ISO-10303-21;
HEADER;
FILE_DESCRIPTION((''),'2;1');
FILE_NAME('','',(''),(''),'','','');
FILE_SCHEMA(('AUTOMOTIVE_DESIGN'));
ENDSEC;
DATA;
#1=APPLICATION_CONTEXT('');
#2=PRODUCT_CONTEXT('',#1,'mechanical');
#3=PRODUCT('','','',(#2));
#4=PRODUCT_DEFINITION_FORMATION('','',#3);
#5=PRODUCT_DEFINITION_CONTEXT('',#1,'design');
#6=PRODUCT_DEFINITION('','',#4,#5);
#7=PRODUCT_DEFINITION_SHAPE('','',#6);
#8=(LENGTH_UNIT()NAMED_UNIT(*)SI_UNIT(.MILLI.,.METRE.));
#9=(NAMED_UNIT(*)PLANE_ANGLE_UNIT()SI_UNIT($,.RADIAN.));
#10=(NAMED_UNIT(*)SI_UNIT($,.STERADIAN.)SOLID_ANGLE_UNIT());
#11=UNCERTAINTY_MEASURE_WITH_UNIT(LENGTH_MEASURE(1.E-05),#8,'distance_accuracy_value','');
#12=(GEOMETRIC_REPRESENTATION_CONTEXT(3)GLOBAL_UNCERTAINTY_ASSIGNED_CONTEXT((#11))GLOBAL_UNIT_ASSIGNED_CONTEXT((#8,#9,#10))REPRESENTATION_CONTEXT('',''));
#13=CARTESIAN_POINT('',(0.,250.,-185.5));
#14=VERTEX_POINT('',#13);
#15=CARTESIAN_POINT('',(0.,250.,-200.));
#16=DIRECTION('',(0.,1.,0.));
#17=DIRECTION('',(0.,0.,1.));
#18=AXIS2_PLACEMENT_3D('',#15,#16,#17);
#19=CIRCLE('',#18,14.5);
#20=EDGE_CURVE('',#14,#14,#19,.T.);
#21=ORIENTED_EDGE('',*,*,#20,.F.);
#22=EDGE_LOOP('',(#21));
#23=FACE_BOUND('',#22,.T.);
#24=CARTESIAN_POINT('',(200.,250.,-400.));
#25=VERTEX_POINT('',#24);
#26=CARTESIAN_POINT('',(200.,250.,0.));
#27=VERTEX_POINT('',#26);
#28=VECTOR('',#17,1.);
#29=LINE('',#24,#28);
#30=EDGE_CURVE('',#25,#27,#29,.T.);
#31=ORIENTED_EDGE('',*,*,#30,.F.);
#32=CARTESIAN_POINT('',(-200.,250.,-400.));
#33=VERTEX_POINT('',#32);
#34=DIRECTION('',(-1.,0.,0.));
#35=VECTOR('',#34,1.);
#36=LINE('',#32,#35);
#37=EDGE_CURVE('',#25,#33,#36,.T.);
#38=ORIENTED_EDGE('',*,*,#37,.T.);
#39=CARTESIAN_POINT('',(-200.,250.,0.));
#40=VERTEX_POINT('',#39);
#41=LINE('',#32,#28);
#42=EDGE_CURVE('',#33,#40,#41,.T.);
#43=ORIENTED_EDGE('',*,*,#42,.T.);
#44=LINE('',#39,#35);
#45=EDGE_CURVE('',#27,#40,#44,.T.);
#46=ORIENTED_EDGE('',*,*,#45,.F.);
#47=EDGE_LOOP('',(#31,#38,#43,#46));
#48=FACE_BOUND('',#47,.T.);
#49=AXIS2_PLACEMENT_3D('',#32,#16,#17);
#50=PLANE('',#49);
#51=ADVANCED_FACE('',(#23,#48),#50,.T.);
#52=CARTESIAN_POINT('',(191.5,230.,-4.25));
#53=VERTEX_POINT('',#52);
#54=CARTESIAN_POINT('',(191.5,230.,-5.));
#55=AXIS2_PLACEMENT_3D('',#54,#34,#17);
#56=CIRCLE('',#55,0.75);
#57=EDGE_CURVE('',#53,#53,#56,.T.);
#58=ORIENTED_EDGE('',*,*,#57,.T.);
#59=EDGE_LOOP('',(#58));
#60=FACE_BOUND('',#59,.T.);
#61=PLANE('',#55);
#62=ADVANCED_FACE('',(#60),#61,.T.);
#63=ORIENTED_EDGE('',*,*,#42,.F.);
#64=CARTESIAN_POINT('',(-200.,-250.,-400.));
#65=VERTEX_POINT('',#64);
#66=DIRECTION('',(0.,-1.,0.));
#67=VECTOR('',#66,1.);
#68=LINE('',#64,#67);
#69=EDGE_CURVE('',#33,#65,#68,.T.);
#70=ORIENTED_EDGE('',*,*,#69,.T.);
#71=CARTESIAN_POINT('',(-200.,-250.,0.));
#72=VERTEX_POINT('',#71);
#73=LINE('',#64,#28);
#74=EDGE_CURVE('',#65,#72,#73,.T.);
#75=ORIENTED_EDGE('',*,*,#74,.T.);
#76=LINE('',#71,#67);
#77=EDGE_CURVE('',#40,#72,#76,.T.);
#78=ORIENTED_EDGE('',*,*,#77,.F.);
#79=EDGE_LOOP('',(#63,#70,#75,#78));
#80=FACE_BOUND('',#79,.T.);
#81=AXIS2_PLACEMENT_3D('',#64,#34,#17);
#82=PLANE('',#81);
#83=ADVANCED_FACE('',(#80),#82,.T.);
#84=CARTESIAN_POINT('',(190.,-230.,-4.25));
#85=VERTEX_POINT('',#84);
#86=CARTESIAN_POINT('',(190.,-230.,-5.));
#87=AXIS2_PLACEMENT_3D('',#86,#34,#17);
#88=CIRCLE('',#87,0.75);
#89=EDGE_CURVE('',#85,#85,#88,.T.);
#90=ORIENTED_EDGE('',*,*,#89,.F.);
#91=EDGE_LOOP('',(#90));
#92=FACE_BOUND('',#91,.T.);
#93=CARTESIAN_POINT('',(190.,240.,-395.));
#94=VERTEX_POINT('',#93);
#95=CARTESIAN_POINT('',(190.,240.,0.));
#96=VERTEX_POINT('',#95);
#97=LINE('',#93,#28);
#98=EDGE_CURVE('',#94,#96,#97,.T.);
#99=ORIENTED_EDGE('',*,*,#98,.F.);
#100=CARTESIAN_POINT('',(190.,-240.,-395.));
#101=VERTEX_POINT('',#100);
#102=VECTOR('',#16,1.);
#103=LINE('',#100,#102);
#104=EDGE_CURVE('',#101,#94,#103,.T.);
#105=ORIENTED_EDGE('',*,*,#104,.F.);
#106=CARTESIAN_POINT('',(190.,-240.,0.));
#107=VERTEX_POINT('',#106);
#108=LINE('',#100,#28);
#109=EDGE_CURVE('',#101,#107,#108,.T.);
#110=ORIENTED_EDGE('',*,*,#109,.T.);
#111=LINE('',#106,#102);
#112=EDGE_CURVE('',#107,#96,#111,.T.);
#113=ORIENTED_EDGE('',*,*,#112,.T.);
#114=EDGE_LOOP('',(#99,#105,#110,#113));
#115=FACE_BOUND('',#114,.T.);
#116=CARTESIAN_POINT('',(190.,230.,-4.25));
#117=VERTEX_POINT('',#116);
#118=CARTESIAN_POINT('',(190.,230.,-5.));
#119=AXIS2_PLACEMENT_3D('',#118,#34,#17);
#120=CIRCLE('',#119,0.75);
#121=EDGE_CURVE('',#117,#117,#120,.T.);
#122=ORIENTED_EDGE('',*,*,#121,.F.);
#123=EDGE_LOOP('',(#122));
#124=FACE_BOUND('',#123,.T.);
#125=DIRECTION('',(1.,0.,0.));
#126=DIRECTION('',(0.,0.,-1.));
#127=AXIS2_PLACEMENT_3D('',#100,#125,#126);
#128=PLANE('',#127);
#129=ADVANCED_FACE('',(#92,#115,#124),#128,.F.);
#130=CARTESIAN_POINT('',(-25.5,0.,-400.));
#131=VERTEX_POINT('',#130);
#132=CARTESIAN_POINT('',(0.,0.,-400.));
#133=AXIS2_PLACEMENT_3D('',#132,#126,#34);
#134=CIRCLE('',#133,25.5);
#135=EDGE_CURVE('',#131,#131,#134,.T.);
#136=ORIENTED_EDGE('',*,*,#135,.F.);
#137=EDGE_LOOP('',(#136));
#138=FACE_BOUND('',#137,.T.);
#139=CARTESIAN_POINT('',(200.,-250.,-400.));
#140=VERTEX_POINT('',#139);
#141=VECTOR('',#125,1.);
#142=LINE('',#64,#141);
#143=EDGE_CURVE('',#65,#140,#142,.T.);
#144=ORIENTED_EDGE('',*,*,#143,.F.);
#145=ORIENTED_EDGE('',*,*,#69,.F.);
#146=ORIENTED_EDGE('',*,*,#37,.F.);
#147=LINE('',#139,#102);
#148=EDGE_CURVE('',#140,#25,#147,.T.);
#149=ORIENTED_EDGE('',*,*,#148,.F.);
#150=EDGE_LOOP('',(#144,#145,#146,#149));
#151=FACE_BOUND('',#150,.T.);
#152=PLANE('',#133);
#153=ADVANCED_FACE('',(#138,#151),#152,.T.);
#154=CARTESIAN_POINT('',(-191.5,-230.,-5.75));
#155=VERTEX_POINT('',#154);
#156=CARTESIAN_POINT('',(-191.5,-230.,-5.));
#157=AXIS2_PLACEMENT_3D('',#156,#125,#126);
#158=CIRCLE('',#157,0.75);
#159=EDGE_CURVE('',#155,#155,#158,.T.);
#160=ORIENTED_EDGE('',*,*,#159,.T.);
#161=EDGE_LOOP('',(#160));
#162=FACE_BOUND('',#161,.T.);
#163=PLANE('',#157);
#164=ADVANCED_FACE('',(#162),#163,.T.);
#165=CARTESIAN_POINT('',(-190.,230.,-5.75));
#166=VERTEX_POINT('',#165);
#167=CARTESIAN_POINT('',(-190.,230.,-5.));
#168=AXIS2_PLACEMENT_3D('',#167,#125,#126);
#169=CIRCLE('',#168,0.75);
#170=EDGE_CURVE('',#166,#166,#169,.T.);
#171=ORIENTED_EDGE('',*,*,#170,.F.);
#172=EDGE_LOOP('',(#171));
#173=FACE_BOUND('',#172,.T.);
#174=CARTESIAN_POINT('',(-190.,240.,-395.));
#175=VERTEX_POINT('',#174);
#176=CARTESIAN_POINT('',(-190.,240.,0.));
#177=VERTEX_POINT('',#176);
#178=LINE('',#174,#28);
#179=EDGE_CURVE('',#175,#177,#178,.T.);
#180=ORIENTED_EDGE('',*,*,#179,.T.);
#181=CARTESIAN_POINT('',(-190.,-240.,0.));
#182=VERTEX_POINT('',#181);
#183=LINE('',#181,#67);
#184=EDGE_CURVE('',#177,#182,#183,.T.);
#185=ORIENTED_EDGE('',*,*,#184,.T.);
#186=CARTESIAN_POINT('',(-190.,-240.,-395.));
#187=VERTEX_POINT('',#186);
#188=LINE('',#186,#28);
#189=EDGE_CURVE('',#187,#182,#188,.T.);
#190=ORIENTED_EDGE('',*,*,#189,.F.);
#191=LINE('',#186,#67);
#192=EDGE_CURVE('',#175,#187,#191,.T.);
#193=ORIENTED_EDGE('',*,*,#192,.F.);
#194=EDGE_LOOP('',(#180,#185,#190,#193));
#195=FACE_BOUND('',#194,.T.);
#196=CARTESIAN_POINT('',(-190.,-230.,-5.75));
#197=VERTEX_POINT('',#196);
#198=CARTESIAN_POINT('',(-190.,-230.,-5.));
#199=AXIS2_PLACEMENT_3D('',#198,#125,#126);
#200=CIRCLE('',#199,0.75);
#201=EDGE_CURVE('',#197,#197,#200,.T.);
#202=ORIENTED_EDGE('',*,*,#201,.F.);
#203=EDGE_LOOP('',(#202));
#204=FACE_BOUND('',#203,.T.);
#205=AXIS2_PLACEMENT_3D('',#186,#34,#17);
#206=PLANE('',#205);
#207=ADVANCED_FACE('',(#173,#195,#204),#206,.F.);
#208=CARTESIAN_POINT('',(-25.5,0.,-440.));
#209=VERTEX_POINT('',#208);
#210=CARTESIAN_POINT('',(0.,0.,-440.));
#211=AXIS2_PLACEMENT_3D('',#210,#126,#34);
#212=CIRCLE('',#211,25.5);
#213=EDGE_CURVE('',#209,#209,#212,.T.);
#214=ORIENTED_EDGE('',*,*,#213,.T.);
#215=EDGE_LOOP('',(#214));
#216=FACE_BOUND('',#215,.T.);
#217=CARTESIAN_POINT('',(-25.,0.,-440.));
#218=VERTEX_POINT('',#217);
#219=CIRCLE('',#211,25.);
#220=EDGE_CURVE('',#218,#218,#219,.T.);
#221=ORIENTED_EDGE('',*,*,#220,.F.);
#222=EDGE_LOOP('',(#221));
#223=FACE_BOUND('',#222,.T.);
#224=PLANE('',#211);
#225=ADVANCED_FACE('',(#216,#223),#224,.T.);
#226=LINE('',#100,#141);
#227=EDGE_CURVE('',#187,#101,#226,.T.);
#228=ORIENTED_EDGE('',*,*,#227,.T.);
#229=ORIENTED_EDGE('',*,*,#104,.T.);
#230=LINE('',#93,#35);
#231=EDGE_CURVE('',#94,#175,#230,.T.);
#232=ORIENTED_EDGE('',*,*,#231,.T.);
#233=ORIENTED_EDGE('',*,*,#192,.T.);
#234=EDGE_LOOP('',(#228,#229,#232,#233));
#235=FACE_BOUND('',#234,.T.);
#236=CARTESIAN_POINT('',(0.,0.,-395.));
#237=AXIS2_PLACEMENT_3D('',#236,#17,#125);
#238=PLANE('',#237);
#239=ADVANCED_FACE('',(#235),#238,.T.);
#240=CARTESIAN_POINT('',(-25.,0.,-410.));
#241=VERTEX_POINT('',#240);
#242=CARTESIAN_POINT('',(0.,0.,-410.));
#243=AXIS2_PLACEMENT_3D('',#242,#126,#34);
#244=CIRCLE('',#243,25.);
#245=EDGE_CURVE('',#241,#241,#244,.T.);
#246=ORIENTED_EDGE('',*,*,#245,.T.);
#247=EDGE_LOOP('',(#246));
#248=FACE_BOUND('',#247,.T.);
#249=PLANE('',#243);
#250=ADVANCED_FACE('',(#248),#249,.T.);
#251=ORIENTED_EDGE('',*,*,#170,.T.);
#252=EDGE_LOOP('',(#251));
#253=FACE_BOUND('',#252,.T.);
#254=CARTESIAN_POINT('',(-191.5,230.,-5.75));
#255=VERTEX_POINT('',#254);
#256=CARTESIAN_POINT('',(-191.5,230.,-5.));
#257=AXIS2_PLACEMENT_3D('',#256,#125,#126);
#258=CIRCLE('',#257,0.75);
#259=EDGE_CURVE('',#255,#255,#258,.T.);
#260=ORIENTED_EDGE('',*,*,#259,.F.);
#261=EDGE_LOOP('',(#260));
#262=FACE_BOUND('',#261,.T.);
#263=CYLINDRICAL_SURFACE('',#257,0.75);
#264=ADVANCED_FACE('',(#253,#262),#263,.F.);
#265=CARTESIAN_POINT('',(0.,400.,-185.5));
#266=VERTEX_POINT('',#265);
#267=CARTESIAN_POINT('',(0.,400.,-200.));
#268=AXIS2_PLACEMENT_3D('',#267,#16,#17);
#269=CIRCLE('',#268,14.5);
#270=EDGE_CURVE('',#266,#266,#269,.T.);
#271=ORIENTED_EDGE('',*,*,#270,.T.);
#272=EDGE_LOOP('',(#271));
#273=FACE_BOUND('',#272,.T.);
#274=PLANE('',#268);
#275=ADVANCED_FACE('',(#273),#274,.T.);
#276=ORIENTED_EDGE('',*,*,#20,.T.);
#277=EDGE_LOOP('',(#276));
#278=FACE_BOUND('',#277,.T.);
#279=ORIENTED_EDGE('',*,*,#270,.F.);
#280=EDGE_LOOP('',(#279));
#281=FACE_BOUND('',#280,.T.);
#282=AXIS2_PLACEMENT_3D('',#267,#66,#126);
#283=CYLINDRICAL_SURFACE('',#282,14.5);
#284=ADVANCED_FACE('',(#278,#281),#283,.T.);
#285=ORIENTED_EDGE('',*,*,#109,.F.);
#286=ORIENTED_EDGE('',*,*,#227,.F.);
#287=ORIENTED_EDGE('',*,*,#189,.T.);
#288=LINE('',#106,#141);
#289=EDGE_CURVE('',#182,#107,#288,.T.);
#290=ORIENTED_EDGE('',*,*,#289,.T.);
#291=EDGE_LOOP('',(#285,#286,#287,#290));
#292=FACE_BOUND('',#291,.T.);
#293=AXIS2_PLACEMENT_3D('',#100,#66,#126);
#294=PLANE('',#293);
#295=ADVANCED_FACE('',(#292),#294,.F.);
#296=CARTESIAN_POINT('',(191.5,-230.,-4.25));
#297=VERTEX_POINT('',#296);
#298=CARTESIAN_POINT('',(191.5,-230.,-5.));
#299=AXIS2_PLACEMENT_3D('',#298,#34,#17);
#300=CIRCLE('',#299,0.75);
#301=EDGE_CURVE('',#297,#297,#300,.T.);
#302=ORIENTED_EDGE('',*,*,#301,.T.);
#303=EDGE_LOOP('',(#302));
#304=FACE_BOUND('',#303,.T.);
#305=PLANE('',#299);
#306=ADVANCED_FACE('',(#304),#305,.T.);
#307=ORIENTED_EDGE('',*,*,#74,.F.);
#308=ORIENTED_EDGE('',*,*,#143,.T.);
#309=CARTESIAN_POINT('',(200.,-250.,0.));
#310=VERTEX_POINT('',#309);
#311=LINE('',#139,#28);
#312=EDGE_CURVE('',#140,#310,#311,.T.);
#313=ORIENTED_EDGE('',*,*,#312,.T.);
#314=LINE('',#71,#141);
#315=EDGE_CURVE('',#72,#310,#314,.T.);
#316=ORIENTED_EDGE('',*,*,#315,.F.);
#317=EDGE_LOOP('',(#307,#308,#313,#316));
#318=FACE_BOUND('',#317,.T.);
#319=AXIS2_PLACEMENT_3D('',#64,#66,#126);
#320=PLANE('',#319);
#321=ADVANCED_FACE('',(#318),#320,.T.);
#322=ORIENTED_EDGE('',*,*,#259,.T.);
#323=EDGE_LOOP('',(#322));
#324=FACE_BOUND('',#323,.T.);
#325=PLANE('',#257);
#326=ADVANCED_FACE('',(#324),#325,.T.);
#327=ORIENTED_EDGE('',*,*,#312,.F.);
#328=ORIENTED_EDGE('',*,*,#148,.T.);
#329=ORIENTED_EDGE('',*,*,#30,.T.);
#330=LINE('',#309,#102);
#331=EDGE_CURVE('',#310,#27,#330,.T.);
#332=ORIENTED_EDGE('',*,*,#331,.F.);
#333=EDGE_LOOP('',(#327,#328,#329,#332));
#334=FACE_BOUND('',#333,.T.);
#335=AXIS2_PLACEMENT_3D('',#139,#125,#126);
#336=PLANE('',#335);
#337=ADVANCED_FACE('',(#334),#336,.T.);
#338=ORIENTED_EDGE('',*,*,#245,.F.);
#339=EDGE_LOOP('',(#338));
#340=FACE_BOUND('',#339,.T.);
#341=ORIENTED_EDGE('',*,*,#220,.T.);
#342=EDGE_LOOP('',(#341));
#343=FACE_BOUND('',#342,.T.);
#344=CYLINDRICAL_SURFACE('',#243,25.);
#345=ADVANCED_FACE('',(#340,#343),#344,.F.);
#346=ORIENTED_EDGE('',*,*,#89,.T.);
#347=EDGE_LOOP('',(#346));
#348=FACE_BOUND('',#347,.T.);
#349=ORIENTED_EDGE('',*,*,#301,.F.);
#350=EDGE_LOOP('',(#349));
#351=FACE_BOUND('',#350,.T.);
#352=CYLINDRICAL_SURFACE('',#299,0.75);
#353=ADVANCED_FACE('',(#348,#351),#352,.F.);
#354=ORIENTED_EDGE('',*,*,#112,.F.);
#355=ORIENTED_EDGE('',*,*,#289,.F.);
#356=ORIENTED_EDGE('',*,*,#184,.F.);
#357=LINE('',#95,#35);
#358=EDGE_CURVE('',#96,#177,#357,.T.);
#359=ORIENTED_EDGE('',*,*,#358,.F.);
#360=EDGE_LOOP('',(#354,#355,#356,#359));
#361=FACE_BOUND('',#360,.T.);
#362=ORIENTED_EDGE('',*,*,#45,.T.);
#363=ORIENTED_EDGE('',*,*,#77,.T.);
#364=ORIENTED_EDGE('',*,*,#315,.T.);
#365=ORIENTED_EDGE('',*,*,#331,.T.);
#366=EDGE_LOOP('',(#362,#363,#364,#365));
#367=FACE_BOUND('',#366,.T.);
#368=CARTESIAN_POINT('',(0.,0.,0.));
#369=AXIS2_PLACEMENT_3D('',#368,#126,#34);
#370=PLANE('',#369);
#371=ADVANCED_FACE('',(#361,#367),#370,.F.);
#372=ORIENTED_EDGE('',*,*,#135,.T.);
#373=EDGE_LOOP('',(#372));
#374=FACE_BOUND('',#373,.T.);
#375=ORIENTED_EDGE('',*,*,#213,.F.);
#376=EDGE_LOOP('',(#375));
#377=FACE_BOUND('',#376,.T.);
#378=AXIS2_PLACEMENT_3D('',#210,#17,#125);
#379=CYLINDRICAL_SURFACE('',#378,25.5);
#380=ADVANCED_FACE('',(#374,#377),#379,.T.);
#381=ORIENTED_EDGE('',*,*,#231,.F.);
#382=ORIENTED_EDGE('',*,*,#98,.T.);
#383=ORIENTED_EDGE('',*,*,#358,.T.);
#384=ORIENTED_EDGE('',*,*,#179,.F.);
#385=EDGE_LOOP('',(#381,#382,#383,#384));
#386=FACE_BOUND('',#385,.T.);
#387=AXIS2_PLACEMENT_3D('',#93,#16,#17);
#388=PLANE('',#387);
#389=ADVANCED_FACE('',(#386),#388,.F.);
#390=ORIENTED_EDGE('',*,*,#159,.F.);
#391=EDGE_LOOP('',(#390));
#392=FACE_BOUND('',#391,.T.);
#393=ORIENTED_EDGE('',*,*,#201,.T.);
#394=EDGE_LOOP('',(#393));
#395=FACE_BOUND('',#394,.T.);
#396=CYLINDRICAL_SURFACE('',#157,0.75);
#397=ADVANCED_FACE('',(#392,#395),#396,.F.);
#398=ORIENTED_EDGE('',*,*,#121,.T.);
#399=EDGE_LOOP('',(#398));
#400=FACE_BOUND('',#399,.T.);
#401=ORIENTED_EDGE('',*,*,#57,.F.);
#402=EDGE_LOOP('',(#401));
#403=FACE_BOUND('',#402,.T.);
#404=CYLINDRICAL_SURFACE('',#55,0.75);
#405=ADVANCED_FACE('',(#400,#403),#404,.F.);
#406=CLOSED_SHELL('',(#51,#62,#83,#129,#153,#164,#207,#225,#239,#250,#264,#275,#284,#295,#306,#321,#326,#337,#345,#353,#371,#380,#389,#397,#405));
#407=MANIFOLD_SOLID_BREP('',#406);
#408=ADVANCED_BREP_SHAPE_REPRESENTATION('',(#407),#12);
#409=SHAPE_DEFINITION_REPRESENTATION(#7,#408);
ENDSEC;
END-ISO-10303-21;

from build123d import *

# Parameters (mm, degrees)
CROQUIS2_W              = 400
CROQUIS2_H              = 500
SALIENTE_EXTRUIR1_DEPTH = 400
CROQUIS3_W              = 380
CROQUIS3_H              = 480
CORTAR_EXTRUIR1_DEPTH   = 395
CROQUIS4_R              = 25.5
SALIENTE_EXTRUIR4_DEPTH = 40
CROQUIS5_R              = 25
CORTAR_EXTRUIR2_DEPTH   = 30
CROQUIS6_R              = 14.5
SALIENTE_EXTRUIR5_DEPTH = 150
CROQUIS9_R              = 0.75
CORTAR_EXTRUIR4_DEPTH   = 1.5
CORTAR_EXTRUIR5_START   = -1.5
CROQUIS10_R             = 0.75
CORTAR_EXTRUIR5_DEPTH   = 1.5
CROQUIS12_R             = 0.75
CORTAR_EXTRUIR6_DEPTH   = 1.5
CORTAR_EXTRUIR7_START   = -1.5
CROQUIS13_R             = 0.75
CORTAR_EXTRUIR7_DEPTH   = 1.5


with BuildPart() as part:
    # Croquis2 → Saliente-Extruir1 (new body)
    with BuildSketch(Plane.XY):
        Rectangle(CROQUIS2_W, CROQUIS2_H)
    extrude(amount=-SALIENTE_EXTRUIR1_DEPTH)

    # Croquis3 → Cortar-Extruir1 (cut)
    with BuildSketch(Plane.XY):
        Rectangle(CROQUIS3_W, CROQUIS3_H)
    extrude(amount=-CORTAR_EXTRUIR1_DEPTH, mode=Mode.SUBTRACT)

    # Croquis4 → Saliente-Extruir4 (add)
    with BuildSketch(Plane(origin=(0, 0, -400), x_dir=(-1, 0, 0), z_dir=(0, 0, -1))):
        Circle(CROQUIS4_R)
    extrude(amount=SALIENTE_EXTRUIR4_DEPTH)

    # Croquis5 → Cortar-Extruir2 (cut)
    with BuildSketch(Plane(origin=(0, 0, -440), x_dir=(-1, 0, 0), z_dir=(0, 0, -1))):
        Circle(CROQUIS5_R)
    extrude(amount=-CORTAR_EXTRUIR2_DEPTH, mode=Mode.SUBTRACT)

    # Croquis6 → Saliente-Extruir5 (add)
    with BuildSketch(Plane(origin=(0, 250, 0), x_dir=(1, 0, 0), z_dir=(0, 1, 0))):
        with Locations(Location((0, 200, 0), (0, 0, 270))):
            Circle(CROQUIS6_R)
    extrude(amount=SALIENTE_EXTRUIR5_DEPTH)

    # Croquis9 → Cortar-Extruir4 (cut)
    with BuildSketch(Plane.ZY.offset(-190)):
        with Locations((-5, 230)):
            Circle(CROQUIS9_R)
    extrude(amount=-CORTAR_EXTRUIR4_DEPTH, mode=Mode.SUBTRACT)

    # Croquis10 → Cortar-Extruir5 (cut)
    with BuildSketch(Plane(origin=(-190, 0, 0), x_dir=(0, 0, -1), z_dir=(1, 0, 0)).offset(CORTAR_EXTRUIR5_START)):
        with Locations(Location((5, 230, 0), (0, 0, 180))):
            Circle(CROQUIS10_R)
    extrude(amount=CORTAR_EXTRUIR5_DEPTH, mode=Mode.SUBTRACT)

    # Croquis12 → Cortar-Extruir6 (cut)
    with BuildSketch(Plane(origin=(-190, 0, 0), x_dir=(0, 0, -1), z_dir=(1, 0, 0))):
        with Locations((5, -230)):
            Circle(CROQUIS12_R)
    extrude(amount=-CORTAR_EXTRUIR6_DEPTH, mode=Mode.SUBTRACT)

    # Croquis13 → Cortar-Extruir7 (cut)
    with BuildSketch(Plane.ZY.offset(-190).offset(CORTAR_EXTRUIR7_START)):
        with Locations(Location((-5, -230, 0), (0, 0, 180))):
            Circle(CROQUIS13_R)
    extrude(amount=CORTAR_EXTRUIR7_DEPTH, mode=Mode.SUBTRACT)


solid = part.part
